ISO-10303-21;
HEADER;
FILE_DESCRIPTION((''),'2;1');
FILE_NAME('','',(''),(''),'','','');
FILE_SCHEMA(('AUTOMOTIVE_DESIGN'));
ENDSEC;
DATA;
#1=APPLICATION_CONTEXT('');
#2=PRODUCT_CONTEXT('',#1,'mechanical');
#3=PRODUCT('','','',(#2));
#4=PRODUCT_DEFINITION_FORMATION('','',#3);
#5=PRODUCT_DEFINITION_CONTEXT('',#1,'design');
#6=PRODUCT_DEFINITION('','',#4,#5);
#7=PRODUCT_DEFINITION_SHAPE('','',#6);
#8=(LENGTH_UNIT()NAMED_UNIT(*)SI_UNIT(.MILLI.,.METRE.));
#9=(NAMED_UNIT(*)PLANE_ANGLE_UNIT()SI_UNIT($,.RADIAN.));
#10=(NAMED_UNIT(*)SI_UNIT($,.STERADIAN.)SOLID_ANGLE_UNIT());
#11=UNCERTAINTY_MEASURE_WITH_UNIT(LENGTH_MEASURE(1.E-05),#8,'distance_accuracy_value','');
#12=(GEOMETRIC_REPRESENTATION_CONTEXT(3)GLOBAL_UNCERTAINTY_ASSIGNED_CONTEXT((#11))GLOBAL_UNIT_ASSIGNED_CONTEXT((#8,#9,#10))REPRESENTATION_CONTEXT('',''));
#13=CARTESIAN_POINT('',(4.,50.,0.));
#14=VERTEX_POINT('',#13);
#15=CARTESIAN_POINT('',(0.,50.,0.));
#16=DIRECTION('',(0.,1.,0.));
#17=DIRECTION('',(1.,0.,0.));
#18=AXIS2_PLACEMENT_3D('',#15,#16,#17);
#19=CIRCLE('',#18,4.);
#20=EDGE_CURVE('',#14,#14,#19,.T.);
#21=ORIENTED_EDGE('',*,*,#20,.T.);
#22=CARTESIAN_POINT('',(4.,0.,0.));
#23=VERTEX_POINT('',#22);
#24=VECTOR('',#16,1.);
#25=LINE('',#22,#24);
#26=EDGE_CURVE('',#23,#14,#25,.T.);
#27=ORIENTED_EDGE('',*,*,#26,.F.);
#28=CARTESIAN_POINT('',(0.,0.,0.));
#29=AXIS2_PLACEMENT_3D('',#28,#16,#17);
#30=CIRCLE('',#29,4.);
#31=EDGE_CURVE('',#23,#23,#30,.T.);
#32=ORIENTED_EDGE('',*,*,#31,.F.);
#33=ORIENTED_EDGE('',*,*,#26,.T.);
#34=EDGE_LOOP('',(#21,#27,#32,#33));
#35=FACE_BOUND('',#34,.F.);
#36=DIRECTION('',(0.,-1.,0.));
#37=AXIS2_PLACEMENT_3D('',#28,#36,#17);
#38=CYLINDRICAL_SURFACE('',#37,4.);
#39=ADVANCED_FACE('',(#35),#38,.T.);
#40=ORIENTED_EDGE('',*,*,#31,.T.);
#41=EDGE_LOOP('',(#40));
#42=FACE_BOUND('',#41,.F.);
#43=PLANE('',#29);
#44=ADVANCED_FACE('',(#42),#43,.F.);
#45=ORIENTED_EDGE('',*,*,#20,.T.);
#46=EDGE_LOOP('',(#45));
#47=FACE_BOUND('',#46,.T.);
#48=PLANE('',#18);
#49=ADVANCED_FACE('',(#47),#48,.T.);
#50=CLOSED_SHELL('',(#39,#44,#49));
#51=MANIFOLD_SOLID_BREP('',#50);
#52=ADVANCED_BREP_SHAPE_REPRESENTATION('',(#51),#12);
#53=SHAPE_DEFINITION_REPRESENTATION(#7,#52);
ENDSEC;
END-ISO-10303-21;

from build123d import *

# Parameters (mm, degrees)
SKETCH_3_R      = 4
EXTRUDE_2_DEPTH = 50


with BuildPart() as part:
    # 草图3 → 凸台-拉伸2 (new body)
    with BuildSketch(Plane(origin=(0, 0, 0), x_dir=(1, 0, 0), z_dir=(0, 1, 0))):
        Circle(SKETCH_3_R)
    extrude(amount=EXTRUDE_2_DEPTH)


solid = part.part
